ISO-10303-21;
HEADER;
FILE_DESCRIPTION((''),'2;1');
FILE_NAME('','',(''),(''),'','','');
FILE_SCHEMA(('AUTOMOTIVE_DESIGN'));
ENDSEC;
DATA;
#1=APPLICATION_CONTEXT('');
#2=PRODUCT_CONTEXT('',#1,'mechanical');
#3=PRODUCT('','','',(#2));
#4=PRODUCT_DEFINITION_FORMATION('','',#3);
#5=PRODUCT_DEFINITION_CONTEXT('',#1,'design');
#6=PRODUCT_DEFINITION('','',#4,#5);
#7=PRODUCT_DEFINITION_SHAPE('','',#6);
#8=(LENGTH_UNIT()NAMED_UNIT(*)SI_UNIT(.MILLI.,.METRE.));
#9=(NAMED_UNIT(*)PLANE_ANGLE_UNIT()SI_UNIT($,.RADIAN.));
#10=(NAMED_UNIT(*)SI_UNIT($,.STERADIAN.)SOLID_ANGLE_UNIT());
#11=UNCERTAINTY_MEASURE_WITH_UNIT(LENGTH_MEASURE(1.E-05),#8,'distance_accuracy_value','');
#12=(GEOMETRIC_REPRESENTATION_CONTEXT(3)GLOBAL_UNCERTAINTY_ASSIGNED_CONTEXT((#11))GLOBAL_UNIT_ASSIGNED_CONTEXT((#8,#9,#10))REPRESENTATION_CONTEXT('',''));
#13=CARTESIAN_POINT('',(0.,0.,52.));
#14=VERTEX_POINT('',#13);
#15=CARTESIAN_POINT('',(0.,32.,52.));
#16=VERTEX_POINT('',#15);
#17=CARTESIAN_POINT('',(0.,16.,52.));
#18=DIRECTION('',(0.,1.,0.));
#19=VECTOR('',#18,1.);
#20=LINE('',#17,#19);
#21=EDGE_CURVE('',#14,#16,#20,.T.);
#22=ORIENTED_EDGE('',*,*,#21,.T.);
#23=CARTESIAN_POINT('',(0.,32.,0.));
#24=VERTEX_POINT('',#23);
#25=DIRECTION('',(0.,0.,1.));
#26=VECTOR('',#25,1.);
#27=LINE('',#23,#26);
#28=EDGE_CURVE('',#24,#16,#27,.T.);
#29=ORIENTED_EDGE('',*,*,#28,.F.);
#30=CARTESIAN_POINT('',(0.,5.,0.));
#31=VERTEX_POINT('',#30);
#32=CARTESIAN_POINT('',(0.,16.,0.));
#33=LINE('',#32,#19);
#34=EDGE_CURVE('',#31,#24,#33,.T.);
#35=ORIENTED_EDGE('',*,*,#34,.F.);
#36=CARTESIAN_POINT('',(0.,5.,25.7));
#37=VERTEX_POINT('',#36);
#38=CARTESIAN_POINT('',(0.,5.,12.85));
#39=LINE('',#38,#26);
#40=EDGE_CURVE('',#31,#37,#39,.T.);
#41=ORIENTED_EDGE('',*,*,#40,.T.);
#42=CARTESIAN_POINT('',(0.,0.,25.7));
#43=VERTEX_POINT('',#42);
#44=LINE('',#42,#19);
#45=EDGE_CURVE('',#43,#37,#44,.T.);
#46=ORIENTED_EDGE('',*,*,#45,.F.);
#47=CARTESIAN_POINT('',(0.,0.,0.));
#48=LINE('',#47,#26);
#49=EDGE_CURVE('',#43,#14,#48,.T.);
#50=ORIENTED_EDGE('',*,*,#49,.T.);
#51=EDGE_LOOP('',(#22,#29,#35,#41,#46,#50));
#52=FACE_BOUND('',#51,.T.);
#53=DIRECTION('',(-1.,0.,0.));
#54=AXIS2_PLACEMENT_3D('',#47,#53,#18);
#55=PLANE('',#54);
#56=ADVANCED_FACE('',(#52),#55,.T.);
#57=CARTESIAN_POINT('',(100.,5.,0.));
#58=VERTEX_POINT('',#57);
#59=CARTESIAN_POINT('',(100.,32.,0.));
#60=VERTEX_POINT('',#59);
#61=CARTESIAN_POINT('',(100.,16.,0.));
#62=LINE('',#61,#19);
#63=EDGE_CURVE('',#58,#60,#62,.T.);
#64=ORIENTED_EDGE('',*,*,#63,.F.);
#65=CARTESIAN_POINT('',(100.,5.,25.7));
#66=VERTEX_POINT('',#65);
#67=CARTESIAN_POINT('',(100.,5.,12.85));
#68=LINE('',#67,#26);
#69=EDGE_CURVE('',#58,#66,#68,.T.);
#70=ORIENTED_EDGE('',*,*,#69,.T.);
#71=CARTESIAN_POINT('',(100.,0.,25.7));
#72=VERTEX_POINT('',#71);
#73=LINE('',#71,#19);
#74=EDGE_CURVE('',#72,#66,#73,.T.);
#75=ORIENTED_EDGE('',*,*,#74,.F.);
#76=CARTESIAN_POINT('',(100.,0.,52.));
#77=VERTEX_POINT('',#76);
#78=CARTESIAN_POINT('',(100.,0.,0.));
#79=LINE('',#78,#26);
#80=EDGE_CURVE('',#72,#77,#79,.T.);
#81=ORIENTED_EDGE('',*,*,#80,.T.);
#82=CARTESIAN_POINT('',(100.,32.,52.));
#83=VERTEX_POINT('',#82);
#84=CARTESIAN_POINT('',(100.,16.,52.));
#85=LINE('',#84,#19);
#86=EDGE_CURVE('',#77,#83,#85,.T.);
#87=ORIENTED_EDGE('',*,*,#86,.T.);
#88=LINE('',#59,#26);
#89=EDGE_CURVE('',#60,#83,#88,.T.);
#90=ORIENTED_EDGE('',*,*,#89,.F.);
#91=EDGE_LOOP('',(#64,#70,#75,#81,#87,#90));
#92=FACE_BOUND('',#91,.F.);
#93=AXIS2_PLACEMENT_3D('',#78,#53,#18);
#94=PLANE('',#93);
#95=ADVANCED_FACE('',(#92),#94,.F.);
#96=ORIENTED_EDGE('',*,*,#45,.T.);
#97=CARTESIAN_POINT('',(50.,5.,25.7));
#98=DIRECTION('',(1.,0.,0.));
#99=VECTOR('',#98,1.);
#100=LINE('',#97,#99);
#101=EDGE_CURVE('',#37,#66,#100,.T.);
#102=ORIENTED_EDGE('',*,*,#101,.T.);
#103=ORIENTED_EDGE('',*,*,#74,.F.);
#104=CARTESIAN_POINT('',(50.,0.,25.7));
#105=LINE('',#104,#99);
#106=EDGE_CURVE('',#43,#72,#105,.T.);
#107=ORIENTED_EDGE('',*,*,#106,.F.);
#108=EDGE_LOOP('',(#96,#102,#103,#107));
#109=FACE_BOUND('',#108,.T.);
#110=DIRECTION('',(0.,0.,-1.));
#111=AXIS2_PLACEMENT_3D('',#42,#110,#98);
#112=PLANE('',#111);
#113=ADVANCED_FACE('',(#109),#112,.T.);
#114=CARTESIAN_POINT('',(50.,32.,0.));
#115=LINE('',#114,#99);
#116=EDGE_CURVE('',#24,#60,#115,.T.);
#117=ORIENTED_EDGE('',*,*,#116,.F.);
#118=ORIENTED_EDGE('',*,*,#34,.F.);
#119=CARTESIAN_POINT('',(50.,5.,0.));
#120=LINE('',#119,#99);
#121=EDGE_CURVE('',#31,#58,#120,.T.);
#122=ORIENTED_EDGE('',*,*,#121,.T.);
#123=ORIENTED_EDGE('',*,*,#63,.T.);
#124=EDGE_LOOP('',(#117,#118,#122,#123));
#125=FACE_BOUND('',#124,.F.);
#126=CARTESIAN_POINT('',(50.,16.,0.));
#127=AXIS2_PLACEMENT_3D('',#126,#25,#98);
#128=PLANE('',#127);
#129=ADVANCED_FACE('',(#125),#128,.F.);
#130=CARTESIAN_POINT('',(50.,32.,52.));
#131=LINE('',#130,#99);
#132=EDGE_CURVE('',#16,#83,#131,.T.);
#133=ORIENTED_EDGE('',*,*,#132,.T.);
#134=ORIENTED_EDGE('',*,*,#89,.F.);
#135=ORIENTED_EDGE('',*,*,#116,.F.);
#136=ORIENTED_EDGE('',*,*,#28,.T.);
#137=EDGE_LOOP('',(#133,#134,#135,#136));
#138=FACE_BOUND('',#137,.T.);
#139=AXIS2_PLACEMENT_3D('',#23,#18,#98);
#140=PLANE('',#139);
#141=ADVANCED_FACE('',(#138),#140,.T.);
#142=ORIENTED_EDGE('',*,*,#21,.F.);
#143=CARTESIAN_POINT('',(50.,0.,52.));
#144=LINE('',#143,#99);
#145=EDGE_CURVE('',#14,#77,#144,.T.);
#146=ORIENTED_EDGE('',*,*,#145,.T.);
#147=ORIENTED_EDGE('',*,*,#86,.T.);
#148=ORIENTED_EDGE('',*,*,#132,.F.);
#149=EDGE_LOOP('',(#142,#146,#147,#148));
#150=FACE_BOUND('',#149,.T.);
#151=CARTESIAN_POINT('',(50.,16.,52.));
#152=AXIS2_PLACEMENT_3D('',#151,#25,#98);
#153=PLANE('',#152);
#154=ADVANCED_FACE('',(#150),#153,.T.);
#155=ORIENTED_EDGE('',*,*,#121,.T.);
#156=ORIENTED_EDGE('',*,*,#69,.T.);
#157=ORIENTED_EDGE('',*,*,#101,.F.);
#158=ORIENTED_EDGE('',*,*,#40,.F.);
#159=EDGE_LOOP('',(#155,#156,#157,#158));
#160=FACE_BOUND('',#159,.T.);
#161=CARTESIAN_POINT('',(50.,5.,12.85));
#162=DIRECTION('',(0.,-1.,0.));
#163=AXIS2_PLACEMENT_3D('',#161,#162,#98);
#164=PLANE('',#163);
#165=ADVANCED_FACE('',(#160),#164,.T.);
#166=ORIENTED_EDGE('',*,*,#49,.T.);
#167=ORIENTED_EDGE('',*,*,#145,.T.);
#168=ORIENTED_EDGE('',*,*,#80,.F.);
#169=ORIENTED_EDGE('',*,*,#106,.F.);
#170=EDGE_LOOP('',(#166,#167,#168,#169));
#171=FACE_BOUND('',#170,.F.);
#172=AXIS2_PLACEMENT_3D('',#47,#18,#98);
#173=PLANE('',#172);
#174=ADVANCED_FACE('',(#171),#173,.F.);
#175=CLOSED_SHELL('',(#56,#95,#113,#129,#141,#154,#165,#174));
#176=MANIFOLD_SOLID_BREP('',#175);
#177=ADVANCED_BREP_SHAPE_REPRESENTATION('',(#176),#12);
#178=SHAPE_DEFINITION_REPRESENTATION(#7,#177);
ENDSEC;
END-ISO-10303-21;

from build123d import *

# Parameters (mm, degrees)
BOX_W        = 100
BOX_H        = 32
BOX_DEPTH    = 52
SKETCH_W     = 100
SKETCH_H     = 25.7
POCKET_DEPTH = 5


with BuildPart() as part:
    # Box → Box (new body)
    with BuildSketch(Plane.XY):
        with Locations((50, 16)):
            Rectangle(BOX_W, BOX_H)
    extrude(amount=BOX_DEPTH)

    # Sketch → Pocket (cut)
    with BuildSketch(Plane.XZ):
        with Locations((50, 12.85)):
            Rectangle(SKETCH_W, SKETCH_H)
    extrude(amount=-POCKET_DEPTH, mode=Mode.SUBTRACT)


solid = part.part
